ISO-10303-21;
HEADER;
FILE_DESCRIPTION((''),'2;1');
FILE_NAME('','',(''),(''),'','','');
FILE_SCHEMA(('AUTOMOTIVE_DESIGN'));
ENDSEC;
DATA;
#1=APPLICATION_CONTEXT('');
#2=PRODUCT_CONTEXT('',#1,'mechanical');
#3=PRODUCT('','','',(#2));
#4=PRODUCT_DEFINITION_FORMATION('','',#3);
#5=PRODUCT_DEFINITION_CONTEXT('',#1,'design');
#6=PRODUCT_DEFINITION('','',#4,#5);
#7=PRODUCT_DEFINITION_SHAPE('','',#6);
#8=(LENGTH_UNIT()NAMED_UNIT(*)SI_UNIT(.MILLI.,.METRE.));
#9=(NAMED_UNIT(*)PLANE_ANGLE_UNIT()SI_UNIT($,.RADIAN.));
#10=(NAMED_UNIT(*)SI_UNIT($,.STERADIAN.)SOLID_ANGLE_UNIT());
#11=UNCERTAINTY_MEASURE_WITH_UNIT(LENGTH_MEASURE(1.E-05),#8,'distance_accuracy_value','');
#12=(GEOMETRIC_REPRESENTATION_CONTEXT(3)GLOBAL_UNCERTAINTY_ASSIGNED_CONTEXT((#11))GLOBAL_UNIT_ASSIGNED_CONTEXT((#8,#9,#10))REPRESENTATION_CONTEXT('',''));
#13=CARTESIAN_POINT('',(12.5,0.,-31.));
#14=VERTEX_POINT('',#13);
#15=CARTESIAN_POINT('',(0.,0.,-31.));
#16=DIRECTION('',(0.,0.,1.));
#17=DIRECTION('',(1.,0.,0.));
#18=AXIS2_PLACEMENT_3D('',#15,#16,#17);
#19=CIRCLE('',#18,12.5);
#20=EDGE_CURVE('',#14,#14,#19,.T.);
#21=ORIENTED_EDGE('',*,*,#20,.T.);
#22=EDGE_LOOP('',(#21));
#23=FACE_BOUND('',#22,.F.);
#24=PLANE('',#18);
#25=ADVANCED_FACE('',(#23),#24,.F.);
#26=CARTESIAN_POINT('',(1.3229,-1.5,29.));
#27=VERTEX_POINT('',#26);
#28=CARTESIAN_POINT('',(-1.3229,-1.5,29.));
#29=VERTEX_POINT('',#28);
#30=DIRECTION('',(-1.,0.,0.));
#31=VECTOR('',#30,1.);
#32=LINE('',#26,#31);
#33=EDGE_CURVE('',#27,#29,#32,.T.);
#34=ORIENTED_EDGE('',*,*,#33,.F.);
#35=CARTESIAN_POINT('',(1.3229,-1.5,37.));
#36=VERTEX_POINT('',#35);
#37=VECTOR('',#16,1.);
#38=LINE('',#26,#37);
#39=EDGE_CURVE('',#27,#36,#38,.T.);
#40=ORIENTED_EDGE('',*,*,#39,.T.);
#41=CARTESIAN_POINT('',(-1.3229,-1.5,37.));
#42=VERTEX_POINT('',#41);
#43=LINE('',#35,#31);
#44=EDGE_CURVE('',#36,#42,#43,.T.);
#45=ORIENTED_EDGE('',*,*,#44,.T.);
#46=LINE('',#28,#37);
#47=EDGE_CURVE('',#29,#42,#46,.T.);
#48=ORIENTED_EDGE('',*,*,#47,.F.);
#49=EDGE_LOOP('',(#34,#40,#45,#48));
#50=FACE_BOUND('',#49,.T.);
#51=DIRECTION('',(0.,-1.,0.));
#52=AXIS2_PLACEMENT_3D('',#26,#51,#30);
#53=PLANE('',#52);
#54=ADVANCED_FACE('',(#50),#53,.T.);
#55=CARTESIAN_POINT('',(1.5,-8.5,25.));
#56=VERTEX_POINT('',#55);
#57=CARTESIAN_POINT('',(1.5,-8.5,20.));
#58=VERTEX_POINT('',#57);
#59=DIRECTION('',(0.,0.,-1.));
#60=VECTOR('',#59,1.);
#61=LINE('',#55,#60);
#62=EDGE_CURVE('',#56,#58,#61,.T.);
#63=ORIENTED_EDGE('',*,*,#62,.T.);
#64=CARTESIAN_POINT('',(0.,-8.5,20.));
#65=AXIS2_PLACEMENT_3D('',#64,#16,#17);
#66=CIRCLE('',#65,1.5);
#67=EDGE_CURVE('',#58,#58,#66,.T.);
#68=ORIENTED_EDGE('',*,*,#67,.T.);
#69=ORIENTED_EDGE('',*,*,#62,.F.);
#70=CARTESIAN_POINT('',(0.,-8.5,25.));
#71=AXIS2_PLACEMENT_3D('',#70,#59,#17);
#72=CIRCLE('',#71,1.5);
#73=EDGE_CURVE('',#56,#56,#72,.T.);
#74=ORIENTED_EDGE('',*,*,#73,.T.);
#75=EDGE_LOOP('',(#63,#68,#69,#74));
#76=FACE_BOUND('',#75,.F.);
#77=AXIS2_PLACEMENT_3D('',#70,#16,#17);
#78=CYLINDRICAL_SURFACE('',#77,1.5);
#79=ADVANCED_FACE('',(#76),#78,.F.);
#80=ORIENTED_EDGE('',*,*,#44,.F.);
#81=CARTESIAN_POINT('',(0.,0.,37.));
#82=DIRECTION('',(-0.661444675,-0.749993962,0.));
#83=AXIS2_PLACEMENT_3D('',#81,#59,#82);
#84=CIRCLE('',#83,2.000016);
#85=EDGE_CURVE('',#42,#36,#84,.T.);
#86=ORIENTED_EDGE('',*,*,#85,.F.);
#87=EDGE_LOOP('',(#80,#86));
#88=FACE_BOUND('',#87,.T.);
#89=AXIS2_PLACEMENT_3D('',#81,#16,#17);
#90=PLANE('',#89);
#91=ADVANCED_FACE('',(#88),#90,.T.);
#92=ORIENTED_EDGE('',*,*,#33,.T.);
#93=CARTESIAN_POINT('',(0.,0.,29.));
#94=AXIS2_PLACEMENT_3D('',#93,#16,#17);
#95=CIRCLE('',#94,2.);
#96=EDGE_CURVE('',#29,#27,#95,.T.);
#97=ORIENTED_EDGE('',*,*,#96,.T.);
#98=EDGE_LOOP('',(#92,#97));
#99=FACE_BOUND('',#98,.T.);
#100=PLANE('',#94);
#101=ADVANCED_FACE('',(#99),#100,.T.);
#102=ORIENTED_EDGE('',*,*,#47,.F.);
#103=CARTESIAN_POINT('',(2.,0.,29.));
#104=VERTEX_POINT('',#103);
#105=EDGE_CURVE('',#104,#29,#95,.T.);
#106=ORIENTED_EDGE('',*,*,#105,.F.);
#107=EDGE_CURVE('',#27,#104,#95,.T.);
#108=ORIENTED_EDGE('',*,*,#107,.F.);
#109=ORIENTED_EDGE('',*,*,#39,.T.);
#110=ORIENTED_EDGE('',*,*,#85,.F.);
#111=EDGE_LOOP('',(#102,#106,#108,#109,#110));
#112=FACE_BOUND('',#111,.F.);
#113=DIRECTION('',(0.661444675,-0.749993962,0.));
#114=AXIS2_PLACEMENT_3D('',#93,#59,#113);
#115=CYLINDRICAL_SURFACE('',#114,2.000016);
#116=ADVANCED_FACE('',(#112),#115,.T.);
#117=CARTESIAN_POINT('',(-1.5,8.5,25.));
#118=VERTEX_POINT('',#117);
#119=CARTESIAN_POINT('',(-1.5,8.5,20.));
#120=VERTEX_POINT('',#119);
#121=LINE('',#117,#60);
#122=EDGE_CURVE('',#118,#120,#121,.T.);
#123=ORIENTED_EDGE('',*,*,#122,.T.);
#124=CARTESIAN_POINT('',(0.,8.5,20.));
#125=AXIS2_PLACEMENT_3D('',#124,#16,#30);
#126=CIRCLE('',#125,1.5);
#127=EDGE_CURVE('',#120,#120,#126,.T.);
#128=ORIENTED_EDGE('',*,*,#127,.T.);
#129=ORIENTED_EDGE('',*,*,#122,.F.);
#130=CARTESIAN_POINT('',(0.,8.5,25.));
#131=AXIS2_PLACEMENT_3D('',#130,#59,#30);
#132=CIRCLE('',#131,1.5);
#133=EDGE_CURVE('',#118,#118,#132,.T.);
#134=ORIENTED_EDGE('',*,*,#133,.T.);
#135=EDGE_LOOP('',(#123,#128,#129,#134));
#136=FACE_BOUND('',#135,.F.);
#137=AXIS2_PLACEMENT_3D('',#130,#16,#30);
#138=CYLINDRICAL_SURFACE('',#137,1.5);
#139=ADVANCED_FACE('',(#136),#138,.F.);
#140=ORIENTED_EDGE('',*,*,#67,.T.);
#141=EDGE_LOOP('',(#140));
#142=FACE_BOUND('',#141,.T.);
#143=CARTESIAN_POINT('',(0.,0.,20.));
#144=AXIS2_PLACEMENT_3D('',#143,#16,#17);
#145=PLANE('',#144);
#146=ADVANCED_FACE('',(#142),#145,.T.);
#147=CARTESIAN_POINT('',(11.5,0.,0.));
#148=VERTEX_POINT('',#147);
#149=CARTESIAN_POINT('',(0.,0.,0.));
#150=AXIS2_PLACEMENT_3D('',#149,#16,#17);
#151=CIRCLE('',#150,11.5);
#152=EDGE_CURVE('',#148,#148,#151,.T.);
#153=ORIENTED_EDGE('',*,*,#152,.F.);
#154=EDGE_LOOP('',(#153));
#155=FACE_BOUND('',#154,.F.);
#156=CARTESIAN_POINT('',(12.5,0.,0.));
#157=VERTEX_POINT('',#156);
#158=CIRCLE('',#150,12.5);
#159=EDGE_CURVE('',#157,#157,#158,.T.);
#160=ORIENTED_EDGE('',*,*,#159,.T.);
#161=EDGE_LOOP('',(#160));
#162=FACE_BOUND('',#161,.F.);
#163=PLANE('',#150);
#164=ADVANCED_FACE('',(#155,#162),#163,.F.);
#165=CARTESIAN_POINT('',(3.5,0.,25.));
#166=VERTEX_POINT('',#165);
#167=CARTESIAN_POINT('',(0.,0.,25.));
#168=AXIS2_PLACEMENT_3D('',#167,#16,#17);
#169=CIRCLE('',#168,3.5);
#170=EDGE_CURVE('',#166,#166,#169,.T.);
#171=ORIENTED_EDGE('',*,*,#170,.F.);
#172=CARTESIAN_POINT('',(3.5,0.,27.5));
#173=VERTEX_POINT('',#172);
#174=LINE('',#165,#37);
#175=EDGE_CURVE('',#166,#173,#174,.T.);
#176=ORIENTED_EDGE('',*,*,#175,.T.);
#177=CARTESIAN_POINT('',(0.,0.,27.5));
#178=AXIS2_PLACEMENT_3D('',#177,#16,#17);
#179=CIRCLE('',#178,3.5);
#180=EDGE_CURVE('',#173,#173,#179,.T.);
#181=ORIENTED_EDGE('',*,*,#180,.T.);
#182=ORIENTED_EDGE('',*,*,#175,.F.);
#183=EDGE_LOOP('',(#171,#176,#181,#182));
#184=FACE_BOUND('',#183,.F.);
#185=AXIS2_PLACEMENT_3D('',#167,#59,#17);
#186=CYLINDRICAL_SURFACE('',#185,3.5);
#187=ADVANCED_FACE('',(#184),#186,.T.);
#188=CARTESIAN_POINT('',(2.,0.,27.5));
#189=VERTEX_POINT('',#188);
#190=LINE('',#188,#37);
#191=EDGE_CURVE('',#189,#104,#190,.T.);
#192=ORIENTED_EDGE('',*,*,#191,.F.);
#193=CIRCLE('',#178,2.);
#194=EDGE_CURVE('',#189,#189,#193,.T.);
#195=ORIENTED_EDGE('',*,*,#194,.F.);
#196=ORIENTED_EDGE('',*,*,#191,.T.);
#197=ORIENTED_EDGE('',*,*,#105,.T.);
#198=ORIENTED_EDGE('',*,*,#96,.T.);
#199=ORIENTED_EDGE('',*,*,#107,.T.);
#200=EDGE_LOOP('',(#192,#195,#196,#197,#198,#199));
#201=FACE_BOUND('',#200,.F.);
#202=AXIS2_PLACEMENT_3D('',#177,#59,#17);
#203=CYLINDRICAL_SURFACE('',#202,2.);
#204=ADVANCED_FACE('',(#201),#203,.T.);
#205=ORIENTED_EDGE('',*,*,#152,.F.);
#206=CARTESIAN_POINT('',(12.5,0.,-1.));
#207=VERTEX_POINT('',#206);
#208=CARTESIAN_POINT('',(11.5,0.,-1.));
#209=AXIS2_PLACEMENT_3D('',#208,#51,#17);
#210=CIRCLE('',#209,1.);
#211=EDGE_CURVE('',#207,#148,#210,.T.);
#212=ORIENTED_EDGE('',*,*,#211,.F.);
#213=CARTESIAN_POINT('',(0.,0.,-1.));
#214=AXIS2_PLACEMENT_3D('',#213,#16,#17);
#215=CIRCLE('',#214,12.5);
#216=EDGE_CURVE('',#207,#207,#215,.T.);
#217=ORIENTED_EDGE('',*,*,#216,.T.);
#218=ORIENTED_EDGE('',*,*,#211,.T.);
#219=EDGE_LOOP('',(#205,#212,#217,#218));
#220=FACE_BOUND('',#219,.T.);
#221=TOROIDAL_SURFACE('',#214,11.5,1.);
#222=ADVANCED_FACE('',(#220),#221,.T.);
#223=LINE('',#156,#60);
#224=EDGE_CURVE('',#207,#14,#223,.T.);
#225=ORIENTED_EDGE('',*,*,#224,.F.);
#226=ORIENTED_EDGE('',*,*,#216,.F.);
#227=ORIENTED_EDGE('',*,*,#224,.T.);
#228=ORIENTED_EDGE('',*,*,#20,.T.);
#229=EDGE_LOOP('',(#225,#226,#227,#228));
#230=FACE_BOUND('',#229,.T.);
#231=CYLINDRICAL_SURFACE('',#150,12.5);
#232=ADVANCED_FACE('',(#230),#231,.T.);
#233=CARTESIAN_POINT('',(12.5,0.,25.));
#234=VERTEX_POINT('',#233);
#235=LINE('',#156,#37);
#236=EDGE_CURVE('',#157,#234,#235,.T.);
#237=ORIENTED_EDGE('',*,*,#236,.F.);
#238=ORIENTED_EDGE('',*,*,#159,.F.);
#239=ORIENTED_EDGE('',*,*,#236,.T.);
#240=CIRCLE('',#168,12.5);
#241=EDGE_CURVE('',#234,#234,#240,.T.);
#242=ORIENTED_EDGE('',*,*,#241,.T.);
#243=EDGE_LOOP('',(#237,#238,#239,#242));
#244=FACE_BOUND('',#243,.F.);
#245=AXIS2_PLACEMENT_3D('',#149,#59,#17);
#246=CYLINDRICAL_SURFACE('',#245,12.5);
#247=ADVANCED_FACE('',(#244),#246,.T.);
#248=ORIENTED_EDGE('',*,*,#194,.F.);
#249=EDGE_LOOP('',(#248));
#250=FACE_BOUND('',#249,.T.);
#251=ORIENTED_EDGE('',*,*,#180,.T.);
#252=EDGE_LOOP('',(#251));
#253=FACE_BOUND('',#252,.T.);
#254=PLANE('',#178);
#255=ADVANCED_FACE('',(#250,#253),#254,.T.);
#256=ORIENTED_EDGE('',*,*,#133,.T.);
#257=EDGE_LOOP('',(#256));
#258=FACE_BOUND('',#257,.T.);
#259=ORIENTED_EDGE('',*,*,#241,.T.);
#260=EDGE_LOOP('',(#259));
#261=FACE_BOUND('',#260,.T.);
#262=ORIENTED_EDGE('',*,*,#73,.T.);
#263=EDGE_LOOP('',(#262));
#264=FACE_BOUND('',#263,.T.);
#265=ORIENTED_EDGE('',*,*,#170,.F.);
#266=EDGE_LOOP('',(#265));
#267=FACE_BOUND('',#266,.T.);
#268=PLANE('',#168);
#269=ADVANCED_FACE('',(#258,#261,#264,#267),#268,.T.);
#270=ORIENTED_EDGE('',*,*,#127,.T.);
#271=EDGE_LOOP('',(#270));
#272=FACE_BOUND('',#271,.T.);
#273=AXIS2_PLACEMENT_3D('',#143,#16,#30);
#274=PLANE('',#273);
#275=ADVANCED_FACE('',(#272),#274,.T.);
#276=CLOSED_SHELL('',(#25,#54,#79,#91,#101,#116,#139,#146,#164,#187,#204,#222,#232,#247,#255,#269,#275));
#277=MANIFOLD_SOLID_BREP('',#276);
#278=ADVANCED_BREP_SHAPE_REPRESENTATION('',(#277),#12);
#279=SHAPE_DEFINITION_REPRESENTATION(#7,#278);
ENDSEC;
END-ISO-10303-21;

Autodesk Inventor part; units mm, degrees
ref_plane "YZ Plane" through (0, 0, 0) normal (1, 0, 0) x (0, 1, 0)
ref_plane "XZ Plane" through (0, 0, 0) normal (0, 1, 0) x (-1, 0, 0)
ref_plane "XY Plane" through (0, 0, 0) normal (0, 0, 1) x (1, 0, 0)
sketch "Эскиз1" plane through (0, 0, 0) normal (0, 0, 1) x (1, 0, 0)
  circle A0 centre (0, 0) radius 12.5
  dimension "d0" = 25
extrude "Выдавливание1" add sketch "Эскиз1" against normal blind 31
fillet "Сопряжение1" radius 1 1 edges at (-12.5, 0, 0)
sketch "Эскиз2" plane through (0, 0, 0) normal (0, 0, 1) x (1, 0, 0)
  circle A0 centre (0, 0) radius 12.5
  dimension "d4" = 25
extrude "Выдавливание2" add sketch "Эскиз2" along normal blind 25
sketch "Эскиз3" plane through (0, 0, 25) normal (0, 0, 1) x (1, 0, 0)
  circle A0 centre (0, 0) radius 3.5
  dimension "d7" = 7
extrude "Выдавливание3" add sketch "Эскиз3" along normal blind 2.5
sketch "Эскиз4" plane through (0, 0, 27.5) normal (0, 0, 1) x (1, 0, 0)
  circle A0 centre (0, 0) radius 2
  dimension "d10" = 4
extrude "Выдавливание4" add sketch "Эскиз4" along normal blind 1.5
sketch "Эскиз5" plane through (0, 0, 29) normal (0, 0, 1) x (1, 0, 0)
  arc A0 (1.3229, -1.5) -> (-1.3229, -1.5) centre (0, 0) ccw
  line L0 (0, 0) -> (0, 2)
  line L1 (1.3229, -1.5) -> (-1.3229, -1.5)
  circle A1 centre (0, 0) radius 2 projected
  dimension "d14" = 3.5
extrude "Выдавливание5" add sketch "Эскиз5" along normal blind 8 contours L1 A0
sketch "Эскиз6" plane through (0, 0, 25) normal (0, 0, 1) x (1, 0, 0)
  circle A0 centre (0, 0) radius 8.5
  circle A1 centre (0, -8.5) radius 1.5
  dimension "d17" = 17
  dimension "d18" = 3
extrude "Выдавливание6" cut sketch "Эскиз6" against normal blind 5 contours A1 A0 | A0 A1 picked at (0, -7.9902) picked at (0.04, -8.9886)
pattern_circular "Круговой массив1" count 2 over 360 about axis through (0, 0, 0) along (0, 0, 1) of "Выдавливание6"
properties part number "Двигун"
